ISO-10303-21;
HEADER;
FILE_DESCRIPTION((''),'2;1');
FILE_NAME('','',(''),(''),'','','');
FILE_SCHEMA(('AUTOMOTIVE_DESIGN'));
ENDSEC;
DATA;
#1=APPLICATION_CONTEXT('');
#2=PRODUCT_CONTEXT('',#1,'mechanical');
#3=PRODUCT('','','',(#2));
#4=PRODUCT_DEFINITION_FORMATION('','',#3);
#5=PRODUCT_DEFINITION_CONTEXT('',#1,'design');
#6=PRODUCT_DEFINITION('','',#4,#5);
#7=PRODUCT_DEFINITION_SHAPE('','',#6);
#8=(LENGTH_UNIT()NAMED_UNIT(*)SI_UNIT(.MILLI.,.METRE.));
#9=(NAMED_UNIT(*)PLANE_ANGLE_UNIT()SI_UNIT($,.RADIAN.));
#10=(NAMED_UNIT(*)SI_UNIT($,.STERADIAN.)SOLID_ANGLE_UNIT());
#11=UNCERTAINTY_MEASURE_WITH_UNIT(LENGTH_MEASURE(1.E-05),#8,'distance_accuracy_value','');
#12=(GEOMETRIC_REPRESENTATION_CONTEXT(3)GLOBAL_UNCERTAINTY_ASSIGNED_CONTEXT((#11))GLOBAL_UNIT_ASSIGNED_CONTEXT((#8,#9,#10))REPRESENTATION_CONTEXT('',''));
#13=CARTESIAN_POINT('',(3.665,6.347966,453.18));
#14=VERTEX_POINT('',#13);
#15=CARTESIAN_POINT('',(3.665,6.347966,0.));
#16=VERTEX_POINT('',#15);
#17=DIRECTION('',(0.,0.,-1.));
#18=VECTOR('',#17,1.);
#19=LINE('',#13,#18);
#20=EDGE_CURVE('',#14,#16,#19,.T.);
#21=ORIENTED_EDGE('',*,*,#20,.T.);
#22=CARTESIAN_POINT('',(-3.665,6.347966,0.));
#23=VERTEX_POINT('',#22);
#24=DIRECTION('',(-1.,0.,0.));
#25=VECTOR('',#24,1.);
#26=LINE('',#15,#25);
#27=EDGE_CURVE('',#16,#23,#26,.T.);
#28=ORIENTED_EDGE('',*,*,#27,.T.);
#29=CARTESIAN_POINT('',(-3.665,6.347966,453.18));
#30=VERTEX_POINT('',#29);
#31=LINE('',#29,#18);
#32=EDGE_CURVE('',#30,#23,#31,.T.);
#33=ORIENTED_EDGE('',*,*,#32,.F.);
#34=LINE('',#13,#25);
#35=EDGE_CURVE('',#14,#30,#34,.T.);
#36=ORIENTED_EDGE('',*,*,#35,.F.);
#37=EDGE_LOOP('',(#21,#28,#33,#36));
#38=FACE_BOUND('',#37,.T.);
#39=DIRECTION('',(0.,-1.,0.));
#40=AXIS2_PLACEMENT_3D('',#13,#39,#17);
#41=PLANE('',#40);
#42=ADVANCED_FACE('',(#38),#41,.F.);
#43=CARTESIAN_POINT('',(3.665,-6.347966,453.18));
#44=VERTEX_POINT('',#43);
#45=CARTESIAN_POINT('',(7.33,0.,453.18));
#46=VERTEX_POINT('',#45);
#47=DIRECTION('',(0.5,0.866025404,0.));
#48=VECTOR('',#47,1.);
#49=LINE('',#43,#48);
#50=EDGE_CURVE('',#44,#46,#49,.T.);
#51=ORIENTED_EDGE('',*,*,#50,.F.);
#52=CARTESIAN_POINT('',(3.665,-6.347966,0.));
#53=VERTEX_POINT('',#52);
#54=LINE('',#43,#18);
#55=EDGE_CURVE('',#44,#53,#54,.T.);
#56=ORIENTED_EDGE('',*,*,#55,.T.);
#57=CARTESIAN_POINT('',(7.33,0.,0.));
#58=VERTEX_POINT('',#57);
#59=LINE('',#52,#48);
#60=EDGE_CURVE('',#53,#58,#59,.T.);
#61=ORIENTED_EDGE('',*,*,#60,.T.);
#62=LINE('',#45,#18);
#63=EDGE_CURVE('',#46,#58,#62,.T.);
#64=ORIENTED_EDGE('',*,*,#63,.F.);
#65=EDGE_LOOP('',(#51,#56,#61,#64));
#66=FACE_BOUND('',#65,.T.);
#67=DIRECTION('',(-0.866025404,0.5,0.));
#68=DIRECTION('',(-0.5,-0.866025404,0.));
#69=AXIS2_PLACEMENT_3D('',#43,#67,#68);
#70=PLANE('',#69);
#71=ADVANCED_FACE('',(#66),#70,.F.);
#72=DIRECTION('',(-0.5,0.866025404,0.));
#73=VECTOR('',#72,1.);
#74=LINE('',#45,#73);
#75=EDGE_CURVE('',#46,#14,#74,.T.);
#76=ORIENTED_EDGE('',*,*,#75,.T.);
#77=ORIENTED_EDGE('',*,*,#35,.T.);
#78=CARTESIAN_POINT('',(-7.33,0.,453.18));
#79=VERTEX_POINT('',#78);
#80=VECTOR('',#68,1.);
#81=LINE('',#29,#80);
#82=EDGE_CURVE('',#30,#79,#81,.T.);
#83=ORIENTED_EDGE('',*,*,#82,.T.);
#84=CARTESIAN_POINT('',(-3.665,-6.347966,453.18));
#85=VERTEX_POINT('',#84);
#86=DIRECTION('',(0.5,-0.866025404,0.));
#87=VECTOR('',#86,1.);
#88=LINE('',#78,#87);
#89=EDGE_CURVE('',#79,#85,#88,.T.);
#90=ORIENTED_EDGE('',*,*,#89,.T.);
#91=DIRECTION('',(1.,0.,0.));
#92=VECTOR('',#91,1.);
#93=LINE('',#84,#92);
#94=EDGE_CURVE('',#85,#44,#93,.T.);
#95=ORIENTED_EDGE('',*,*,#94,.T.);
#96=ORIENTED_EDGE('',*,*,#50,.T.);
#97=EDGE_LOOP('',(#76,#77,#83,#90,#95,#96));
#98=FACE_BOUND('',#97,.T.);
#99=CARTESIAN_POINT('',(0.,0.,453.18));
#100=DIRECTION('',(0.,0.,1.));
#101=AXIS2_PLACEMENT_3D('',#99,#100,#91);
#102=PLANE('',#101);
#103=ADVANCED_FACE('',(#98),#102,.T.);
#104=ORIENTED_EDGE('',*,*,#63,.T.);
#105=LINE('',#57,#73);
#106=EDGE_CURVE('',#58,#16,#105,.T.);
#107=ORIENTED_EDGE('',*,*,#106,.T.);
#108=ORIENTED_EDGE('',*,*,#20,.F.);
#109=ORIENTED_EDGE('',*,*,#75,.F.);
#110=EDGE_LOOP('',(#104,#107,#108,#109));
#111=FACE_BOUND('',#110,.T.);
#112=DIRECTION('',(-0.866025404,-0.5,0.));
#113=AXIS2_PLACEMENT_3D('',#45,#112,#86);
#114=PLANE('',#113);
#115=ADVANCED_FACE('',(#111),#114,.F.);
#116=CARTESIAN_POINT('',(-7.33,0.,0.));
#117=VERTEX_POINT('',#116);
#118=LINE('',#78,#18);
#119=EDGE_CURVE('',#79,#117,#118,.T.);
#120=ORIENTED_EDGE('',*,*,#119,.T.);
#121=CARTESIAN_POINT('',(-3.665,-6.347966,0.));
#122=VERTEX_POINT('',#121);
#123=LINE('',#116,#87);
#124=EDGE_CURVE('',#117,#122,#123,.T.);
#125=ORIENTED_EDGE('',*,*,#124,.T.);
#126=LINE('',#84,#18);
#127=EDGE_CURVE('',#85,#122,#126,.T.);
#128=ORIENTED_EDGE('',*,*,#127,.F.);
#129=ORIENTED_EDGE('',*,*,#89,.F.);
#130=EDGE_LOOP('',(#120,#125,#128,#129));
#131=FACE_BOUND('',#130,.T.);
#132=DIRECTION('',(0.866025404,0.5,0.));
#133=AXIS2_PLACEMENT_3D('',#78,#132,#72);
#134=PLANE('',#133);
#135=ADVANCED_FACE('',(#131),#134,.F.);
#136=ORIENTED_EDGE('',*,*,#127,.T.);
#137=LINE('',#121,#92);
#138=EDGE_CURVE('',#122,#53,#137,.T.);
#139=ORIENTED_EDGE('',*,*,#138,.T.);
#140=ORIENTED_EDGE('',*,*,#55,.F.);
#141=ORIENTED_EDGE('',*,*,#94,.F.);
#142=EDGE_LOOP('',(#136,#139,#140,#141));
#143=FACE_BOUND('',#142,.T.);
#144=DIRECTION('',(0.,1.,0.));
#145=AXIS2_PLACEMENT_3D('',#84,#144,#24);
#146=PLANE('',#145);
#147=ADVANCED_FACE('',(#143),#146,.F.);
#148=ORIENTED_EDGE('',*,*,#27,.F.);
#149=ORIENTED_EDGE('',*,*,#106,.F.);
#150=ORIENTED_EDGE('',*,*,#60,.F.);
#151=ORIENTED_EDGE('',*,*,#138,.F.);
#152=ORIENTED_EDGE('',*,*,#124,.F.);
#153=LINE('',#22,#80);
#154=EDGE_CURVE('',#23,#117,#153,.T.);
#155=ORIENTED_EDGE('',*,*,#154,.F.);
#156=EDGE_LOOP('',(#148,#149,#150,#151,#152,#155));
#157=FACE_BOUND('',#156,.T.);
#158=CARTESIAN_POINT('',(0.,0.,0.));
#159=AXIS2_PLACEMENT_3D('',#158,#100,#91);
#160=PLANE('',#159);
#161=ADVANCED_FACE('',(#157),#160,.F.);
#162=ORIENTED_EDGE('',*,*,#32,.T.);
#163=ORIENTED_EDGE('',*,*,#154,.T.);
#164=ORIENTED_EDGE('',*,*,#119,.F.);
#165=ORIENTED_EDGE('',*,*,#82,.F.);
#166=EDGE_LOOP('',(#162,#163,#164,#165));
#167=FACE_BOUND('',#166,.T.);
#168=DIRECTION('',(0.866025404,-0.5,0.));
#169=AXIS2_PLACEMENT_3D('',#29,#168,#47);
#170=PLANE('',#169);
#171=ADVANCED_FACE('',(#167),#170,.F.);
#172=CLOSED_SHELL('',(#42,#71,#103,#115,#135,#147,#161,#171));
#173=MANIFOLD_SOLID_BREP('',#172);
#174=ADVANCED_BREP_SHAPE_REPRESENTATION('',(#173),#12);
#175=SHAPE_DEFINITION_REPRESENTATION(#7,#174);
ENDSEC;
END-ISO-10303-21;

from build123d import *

# Parameters (mm, degrees)
BOSS_EXTRUDE1_DEPTH = 453.18


with BuildPart() as part:
    # Sketch1 → Boss-Extrude1 (new body)
    with BuildSketch(Plane.XY):
        Polygon((-3.665, 6.34796621), (-7.33, 0), (-3.665, -6.34796621), (3.665, -6.34796621), (7.33, 0), (3.665, 6.34796621), align=None)
    extrude(amount=BOSS_EXTRUDE1_DEPTH)


solid = part.part
